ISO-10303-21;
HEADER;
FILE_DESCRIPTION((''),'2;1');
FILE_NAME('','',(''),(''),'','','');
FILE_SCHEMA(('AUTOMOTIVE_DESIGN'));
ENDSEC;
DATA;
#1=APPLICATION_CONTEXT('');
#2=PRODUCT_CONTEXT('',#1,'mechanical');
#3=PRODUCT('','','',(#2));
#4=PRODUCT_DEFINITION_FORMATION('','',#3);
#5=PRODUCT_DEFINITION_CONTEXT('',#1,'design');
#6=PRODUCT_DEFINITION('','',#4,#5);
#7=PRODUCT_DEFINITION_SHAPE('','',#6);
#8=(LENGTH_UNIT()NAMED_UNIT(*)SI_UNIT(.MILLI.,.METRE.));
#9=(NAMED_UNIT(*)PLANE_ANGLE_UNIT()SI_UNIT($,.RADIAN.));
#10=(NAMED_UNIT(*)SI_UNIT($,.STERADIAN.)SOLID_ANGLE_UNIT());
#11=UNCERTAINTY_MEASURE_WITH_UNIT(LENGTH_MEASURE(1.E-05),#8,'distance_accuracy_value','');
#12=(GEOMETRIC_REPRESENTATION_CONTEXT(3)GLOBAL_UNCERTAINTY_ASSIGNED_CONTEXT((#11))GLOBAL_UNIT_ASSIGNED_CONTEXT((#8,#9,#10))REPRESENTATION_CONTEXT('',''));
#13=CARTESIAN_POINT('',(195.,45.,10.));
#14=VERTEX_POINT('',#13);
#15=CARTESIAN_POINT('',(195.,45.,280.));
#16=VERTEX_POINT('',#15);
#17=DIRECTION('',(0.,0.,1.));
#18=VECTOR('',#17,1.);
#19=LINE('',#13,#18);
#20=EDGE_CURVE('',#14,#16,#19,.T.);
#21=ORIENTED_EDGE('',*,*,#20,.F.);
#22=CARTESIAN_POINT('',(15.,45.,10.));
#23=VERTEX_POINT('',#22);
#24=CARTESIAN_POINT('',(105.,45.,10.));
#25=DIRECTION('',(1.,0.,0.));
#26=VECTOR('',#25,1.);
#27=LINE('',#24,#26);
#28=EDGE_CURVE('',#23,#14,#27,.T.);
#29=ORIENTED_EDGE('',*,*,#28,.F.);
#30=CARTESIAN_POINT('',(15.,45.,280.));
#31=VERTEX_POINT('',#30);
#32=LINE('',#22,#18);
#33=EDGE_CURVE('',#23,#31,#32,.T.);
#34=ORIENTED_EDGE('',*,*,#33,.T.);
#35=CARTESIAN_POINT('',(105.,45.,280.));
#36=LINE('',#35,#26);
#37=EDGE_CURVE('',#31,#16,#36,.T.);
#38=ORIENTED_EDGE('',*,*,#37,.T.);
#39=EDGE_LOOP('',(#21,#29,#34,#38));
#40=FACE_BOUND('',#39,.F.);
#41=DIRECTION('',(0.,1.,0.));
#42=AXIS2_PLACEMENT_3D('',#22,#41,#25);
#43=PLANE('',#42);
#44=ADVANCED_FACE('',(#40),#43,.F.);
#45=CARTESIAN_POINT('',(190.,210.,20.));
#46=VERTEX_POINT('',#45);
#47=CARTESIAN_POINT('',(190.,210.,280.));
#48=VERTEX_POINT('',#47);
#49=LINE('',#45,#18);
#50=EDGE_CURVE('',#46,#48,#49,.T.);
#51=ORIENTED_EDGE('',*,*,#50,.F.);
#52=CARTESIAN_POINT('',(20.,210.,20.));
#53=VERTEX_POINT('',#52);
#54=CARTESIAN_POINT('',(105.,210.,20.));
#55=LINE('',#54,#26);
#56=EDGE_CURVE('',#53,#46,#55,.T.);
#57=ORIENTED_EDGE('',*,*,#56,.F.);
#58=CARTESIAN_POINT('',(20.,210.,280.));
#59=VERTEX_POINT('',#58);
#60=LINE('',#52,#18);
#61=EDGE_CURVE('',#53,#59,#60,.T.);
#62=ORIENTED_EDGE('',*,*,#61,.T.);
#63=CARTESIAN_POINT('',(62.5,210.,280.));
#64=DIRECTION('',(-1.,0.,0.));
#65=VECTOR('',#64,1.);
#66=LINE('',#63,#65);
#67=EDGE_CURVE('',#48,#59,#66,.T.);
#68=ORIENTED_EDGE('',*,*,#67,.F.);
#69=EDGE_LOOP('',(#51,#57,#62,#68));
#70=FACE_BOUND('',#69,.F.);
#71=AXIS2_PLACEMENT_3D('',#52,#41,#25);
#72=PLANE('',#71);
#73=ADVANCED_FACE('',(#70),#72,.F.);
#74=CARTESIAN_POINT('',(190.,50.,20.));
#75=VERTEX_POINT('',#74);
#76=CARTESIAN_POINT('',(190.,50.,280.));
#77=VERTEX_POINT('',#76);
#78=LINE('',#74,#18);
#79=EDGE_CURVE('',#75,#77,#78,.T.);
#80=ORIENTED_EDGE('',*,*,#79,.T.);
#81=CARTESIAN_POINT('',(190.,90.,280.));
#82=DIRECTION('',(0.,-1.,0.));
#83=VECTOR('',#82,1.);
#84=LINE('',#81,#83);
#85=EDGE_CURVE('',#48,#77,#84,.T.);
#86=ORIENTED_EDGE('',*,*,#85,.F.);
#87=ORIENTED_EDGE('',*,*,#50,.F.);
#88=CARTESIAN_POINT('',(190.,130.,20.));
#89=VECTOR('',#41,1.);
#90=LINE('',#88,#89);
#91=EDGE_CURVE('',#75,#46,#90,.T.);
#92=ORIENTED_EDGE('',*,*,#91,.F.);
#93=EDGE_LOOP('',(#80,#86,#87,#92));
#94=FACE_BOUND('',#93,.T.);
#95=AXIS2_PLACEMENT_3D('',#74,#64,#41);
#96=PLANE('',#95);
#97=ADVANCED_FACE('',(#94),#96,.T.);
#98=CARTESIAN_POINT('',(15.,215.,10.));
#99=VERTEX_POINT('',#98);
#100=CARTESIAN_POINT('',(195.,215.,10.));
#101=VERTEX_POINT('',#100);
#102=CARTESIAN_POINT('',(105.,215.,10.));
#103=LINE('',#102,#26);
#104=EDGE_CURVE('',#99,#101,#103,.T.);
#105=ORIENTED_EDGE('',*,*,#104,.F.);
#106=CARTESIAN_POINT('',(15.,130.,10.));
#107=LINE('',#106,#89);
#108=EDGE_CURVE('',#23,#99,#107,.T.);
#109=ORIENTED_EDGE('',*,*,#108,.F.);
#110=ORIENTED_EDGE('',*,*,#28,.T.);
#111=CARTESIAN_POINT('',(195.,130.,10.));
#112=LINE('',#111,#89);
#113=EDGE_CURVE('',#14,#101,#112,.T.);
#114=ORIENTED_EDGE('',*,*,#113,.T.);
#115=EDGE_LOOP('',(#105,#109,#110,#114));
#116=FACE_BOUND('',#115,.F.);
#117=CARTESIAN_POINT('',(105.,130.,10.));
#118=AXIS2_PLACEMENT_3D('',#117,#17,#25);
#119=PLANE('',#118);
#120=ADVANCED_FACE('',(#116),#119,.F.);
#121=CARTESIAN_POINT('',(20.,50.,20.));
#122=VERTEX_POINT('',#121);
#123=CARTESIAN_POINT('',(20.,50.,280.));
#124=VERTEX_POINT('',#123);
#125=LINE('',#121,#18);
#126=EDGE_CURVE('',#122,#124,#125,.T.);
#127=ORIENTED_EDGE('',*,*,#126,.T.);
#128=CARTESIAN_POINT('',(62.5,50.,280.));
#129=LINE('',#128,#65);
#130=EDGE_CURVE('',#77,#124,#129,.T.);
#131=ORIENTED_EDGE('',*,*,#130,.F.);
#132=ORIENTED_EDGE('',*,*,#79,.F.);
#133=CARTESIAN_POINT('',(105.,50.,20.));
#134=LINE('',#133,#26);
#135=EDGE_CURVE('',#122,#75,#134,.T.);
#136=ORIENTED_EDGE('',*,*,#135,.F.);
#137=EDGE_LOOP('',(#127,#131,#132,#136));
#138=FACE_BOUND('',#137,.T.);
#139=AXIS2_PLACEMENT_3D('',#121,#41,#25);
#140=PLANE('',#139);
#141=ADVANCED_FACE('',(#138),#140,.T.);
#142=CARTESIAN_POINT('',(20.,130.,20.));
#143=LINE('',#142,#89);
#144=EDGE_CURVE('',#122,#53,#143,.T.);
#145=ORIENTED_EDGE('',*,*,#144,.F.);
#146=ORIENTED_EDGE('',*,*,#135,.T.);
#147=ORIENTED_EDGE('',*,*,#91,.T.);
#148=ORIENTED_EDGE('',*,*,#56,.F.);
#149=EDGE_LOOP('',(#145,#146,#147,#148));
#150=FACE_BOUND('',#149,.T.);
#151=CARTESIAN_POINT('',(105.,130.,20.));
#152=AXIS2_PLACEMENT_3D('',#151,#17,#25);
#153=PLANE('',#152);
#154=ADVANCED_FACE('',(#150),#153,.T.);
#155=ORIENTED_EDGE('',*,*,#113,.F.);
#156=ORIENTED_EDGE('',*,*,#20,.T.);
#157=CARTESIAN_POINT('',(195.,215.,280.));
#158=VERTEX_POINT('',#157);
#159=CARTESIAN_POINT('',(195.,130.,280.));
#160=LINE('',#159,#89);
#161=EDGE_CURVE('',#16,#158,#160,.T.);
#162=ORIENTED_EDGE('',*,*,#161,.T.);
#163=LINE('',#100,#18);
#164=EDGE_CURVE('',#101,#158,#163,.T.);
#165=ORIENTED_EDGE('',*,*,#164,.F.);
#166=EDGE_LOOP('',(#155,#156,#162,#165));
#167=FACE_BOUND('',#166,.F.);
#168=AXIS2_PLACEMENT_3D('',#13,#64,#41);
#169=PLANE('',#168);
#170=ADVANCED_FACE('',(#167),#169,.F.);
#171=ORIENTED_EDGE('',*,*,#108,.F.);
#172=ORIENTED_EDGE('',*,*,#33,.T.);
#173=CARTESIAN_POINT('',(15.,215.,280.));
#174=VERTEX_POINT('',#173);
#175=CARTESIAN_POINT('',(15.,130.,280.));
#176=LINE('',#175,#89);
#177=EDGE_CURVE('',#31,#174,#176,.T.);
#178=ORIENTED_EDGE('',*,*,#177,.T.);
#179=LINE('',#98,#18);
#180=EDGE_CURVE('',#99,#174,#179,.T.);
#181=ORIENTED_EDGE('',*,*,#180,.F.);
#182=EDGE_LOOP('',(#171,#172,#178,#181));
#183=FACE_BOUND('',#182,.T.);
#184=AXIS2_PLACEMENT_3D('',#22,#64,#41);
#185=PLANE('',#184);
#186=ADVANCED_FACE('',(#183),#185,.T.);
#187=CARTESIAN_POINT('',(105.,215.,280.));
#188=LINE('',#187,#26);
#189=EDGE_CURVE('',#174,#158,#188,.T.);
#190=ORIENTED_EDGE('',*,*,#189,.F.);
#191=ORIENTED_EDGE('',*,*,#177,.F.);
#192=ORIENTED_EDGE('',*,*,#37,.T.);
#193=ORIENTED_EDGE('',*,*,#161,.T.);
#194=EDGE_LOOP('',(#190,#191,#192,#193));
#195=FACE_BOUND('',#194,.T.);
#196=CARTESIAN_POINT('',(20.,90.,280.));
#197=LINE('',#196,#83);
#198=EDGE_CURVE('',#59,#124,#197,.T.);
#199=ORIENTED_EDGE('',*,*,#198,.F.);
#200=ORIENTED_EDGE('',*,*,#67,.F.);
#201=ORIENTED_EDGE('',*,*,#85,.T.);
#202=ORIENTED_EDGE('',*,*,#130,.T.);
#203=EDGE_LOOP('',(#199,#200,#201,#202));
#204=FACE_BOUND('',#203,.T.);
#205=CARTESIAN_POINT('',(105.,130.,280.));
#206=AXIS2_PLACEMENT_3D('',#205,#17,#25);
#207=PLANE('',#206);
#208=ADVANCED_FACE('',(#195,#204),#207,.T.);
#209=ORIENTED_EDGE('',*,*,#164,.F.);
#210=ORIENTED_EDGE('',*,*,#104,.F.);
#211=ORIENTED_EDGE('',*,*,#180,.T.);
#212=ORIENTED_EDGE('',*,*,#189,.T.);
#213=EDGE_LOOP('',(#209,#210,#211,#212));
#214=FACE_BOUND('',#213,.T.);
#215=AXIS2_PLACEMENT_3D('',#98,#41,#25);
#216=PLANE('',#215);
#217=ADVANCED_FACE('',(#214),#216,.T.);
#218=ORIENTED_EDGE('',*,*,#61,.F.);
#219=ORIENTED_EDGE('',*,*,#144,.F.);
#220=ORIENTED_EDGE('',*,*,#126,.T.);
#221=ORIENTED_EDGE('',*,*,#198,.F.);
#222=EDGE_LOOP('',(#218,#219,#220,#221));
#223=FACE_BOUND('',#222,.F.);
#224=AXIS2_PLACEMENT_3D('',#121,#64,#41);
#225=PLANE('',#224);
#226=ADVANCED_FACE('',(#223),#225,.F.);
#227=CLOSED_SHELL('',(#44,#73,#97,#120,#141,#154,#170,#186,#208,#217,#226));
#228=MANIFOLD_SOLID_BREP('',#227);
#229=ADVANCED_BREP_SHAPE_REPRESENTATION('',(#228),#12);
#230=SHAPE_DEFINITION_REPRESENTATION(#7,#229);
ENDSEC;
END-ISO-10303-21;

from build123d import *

# Parameters (mm, degrees)
BOX002_W     = 170
BOX002_H     = 160
BOX002_DEPTH = 290
BOX006_W     = 180
BOX006_H     = 170
BOX006_DEPTH = 270


with BuildPart() as akku_box:
    # Box002 → Box002 (new body)
    with BuildSketch(Plane(origin=(20, 50, 20), x_dir=(1, 0, 0), z_dir=(0, 0, 1))):
        with Locations((85, 80)):
            Rectangle(BOX002_W, BOX002_H)
    extrude(amount=BOX002_DEPTH)


with BuildPart() as akku_pack:
    # Box006 → Box006 (new body)
    with BuildSketch(Plane(origin=(15, 45, 10), x_dir=(1, 0, 0), z_dir=(0, 0, 1))):
        with Locations((90, 85)):
            Rectangle(BOX006_W, BOX006_H)
    extrude(amount=BOX006_DEPTH)

    # Cut003: cut Akku_box
    add(akku_box.part, mode=Mode.SUBTRACT)


solid = akku_pack.part
